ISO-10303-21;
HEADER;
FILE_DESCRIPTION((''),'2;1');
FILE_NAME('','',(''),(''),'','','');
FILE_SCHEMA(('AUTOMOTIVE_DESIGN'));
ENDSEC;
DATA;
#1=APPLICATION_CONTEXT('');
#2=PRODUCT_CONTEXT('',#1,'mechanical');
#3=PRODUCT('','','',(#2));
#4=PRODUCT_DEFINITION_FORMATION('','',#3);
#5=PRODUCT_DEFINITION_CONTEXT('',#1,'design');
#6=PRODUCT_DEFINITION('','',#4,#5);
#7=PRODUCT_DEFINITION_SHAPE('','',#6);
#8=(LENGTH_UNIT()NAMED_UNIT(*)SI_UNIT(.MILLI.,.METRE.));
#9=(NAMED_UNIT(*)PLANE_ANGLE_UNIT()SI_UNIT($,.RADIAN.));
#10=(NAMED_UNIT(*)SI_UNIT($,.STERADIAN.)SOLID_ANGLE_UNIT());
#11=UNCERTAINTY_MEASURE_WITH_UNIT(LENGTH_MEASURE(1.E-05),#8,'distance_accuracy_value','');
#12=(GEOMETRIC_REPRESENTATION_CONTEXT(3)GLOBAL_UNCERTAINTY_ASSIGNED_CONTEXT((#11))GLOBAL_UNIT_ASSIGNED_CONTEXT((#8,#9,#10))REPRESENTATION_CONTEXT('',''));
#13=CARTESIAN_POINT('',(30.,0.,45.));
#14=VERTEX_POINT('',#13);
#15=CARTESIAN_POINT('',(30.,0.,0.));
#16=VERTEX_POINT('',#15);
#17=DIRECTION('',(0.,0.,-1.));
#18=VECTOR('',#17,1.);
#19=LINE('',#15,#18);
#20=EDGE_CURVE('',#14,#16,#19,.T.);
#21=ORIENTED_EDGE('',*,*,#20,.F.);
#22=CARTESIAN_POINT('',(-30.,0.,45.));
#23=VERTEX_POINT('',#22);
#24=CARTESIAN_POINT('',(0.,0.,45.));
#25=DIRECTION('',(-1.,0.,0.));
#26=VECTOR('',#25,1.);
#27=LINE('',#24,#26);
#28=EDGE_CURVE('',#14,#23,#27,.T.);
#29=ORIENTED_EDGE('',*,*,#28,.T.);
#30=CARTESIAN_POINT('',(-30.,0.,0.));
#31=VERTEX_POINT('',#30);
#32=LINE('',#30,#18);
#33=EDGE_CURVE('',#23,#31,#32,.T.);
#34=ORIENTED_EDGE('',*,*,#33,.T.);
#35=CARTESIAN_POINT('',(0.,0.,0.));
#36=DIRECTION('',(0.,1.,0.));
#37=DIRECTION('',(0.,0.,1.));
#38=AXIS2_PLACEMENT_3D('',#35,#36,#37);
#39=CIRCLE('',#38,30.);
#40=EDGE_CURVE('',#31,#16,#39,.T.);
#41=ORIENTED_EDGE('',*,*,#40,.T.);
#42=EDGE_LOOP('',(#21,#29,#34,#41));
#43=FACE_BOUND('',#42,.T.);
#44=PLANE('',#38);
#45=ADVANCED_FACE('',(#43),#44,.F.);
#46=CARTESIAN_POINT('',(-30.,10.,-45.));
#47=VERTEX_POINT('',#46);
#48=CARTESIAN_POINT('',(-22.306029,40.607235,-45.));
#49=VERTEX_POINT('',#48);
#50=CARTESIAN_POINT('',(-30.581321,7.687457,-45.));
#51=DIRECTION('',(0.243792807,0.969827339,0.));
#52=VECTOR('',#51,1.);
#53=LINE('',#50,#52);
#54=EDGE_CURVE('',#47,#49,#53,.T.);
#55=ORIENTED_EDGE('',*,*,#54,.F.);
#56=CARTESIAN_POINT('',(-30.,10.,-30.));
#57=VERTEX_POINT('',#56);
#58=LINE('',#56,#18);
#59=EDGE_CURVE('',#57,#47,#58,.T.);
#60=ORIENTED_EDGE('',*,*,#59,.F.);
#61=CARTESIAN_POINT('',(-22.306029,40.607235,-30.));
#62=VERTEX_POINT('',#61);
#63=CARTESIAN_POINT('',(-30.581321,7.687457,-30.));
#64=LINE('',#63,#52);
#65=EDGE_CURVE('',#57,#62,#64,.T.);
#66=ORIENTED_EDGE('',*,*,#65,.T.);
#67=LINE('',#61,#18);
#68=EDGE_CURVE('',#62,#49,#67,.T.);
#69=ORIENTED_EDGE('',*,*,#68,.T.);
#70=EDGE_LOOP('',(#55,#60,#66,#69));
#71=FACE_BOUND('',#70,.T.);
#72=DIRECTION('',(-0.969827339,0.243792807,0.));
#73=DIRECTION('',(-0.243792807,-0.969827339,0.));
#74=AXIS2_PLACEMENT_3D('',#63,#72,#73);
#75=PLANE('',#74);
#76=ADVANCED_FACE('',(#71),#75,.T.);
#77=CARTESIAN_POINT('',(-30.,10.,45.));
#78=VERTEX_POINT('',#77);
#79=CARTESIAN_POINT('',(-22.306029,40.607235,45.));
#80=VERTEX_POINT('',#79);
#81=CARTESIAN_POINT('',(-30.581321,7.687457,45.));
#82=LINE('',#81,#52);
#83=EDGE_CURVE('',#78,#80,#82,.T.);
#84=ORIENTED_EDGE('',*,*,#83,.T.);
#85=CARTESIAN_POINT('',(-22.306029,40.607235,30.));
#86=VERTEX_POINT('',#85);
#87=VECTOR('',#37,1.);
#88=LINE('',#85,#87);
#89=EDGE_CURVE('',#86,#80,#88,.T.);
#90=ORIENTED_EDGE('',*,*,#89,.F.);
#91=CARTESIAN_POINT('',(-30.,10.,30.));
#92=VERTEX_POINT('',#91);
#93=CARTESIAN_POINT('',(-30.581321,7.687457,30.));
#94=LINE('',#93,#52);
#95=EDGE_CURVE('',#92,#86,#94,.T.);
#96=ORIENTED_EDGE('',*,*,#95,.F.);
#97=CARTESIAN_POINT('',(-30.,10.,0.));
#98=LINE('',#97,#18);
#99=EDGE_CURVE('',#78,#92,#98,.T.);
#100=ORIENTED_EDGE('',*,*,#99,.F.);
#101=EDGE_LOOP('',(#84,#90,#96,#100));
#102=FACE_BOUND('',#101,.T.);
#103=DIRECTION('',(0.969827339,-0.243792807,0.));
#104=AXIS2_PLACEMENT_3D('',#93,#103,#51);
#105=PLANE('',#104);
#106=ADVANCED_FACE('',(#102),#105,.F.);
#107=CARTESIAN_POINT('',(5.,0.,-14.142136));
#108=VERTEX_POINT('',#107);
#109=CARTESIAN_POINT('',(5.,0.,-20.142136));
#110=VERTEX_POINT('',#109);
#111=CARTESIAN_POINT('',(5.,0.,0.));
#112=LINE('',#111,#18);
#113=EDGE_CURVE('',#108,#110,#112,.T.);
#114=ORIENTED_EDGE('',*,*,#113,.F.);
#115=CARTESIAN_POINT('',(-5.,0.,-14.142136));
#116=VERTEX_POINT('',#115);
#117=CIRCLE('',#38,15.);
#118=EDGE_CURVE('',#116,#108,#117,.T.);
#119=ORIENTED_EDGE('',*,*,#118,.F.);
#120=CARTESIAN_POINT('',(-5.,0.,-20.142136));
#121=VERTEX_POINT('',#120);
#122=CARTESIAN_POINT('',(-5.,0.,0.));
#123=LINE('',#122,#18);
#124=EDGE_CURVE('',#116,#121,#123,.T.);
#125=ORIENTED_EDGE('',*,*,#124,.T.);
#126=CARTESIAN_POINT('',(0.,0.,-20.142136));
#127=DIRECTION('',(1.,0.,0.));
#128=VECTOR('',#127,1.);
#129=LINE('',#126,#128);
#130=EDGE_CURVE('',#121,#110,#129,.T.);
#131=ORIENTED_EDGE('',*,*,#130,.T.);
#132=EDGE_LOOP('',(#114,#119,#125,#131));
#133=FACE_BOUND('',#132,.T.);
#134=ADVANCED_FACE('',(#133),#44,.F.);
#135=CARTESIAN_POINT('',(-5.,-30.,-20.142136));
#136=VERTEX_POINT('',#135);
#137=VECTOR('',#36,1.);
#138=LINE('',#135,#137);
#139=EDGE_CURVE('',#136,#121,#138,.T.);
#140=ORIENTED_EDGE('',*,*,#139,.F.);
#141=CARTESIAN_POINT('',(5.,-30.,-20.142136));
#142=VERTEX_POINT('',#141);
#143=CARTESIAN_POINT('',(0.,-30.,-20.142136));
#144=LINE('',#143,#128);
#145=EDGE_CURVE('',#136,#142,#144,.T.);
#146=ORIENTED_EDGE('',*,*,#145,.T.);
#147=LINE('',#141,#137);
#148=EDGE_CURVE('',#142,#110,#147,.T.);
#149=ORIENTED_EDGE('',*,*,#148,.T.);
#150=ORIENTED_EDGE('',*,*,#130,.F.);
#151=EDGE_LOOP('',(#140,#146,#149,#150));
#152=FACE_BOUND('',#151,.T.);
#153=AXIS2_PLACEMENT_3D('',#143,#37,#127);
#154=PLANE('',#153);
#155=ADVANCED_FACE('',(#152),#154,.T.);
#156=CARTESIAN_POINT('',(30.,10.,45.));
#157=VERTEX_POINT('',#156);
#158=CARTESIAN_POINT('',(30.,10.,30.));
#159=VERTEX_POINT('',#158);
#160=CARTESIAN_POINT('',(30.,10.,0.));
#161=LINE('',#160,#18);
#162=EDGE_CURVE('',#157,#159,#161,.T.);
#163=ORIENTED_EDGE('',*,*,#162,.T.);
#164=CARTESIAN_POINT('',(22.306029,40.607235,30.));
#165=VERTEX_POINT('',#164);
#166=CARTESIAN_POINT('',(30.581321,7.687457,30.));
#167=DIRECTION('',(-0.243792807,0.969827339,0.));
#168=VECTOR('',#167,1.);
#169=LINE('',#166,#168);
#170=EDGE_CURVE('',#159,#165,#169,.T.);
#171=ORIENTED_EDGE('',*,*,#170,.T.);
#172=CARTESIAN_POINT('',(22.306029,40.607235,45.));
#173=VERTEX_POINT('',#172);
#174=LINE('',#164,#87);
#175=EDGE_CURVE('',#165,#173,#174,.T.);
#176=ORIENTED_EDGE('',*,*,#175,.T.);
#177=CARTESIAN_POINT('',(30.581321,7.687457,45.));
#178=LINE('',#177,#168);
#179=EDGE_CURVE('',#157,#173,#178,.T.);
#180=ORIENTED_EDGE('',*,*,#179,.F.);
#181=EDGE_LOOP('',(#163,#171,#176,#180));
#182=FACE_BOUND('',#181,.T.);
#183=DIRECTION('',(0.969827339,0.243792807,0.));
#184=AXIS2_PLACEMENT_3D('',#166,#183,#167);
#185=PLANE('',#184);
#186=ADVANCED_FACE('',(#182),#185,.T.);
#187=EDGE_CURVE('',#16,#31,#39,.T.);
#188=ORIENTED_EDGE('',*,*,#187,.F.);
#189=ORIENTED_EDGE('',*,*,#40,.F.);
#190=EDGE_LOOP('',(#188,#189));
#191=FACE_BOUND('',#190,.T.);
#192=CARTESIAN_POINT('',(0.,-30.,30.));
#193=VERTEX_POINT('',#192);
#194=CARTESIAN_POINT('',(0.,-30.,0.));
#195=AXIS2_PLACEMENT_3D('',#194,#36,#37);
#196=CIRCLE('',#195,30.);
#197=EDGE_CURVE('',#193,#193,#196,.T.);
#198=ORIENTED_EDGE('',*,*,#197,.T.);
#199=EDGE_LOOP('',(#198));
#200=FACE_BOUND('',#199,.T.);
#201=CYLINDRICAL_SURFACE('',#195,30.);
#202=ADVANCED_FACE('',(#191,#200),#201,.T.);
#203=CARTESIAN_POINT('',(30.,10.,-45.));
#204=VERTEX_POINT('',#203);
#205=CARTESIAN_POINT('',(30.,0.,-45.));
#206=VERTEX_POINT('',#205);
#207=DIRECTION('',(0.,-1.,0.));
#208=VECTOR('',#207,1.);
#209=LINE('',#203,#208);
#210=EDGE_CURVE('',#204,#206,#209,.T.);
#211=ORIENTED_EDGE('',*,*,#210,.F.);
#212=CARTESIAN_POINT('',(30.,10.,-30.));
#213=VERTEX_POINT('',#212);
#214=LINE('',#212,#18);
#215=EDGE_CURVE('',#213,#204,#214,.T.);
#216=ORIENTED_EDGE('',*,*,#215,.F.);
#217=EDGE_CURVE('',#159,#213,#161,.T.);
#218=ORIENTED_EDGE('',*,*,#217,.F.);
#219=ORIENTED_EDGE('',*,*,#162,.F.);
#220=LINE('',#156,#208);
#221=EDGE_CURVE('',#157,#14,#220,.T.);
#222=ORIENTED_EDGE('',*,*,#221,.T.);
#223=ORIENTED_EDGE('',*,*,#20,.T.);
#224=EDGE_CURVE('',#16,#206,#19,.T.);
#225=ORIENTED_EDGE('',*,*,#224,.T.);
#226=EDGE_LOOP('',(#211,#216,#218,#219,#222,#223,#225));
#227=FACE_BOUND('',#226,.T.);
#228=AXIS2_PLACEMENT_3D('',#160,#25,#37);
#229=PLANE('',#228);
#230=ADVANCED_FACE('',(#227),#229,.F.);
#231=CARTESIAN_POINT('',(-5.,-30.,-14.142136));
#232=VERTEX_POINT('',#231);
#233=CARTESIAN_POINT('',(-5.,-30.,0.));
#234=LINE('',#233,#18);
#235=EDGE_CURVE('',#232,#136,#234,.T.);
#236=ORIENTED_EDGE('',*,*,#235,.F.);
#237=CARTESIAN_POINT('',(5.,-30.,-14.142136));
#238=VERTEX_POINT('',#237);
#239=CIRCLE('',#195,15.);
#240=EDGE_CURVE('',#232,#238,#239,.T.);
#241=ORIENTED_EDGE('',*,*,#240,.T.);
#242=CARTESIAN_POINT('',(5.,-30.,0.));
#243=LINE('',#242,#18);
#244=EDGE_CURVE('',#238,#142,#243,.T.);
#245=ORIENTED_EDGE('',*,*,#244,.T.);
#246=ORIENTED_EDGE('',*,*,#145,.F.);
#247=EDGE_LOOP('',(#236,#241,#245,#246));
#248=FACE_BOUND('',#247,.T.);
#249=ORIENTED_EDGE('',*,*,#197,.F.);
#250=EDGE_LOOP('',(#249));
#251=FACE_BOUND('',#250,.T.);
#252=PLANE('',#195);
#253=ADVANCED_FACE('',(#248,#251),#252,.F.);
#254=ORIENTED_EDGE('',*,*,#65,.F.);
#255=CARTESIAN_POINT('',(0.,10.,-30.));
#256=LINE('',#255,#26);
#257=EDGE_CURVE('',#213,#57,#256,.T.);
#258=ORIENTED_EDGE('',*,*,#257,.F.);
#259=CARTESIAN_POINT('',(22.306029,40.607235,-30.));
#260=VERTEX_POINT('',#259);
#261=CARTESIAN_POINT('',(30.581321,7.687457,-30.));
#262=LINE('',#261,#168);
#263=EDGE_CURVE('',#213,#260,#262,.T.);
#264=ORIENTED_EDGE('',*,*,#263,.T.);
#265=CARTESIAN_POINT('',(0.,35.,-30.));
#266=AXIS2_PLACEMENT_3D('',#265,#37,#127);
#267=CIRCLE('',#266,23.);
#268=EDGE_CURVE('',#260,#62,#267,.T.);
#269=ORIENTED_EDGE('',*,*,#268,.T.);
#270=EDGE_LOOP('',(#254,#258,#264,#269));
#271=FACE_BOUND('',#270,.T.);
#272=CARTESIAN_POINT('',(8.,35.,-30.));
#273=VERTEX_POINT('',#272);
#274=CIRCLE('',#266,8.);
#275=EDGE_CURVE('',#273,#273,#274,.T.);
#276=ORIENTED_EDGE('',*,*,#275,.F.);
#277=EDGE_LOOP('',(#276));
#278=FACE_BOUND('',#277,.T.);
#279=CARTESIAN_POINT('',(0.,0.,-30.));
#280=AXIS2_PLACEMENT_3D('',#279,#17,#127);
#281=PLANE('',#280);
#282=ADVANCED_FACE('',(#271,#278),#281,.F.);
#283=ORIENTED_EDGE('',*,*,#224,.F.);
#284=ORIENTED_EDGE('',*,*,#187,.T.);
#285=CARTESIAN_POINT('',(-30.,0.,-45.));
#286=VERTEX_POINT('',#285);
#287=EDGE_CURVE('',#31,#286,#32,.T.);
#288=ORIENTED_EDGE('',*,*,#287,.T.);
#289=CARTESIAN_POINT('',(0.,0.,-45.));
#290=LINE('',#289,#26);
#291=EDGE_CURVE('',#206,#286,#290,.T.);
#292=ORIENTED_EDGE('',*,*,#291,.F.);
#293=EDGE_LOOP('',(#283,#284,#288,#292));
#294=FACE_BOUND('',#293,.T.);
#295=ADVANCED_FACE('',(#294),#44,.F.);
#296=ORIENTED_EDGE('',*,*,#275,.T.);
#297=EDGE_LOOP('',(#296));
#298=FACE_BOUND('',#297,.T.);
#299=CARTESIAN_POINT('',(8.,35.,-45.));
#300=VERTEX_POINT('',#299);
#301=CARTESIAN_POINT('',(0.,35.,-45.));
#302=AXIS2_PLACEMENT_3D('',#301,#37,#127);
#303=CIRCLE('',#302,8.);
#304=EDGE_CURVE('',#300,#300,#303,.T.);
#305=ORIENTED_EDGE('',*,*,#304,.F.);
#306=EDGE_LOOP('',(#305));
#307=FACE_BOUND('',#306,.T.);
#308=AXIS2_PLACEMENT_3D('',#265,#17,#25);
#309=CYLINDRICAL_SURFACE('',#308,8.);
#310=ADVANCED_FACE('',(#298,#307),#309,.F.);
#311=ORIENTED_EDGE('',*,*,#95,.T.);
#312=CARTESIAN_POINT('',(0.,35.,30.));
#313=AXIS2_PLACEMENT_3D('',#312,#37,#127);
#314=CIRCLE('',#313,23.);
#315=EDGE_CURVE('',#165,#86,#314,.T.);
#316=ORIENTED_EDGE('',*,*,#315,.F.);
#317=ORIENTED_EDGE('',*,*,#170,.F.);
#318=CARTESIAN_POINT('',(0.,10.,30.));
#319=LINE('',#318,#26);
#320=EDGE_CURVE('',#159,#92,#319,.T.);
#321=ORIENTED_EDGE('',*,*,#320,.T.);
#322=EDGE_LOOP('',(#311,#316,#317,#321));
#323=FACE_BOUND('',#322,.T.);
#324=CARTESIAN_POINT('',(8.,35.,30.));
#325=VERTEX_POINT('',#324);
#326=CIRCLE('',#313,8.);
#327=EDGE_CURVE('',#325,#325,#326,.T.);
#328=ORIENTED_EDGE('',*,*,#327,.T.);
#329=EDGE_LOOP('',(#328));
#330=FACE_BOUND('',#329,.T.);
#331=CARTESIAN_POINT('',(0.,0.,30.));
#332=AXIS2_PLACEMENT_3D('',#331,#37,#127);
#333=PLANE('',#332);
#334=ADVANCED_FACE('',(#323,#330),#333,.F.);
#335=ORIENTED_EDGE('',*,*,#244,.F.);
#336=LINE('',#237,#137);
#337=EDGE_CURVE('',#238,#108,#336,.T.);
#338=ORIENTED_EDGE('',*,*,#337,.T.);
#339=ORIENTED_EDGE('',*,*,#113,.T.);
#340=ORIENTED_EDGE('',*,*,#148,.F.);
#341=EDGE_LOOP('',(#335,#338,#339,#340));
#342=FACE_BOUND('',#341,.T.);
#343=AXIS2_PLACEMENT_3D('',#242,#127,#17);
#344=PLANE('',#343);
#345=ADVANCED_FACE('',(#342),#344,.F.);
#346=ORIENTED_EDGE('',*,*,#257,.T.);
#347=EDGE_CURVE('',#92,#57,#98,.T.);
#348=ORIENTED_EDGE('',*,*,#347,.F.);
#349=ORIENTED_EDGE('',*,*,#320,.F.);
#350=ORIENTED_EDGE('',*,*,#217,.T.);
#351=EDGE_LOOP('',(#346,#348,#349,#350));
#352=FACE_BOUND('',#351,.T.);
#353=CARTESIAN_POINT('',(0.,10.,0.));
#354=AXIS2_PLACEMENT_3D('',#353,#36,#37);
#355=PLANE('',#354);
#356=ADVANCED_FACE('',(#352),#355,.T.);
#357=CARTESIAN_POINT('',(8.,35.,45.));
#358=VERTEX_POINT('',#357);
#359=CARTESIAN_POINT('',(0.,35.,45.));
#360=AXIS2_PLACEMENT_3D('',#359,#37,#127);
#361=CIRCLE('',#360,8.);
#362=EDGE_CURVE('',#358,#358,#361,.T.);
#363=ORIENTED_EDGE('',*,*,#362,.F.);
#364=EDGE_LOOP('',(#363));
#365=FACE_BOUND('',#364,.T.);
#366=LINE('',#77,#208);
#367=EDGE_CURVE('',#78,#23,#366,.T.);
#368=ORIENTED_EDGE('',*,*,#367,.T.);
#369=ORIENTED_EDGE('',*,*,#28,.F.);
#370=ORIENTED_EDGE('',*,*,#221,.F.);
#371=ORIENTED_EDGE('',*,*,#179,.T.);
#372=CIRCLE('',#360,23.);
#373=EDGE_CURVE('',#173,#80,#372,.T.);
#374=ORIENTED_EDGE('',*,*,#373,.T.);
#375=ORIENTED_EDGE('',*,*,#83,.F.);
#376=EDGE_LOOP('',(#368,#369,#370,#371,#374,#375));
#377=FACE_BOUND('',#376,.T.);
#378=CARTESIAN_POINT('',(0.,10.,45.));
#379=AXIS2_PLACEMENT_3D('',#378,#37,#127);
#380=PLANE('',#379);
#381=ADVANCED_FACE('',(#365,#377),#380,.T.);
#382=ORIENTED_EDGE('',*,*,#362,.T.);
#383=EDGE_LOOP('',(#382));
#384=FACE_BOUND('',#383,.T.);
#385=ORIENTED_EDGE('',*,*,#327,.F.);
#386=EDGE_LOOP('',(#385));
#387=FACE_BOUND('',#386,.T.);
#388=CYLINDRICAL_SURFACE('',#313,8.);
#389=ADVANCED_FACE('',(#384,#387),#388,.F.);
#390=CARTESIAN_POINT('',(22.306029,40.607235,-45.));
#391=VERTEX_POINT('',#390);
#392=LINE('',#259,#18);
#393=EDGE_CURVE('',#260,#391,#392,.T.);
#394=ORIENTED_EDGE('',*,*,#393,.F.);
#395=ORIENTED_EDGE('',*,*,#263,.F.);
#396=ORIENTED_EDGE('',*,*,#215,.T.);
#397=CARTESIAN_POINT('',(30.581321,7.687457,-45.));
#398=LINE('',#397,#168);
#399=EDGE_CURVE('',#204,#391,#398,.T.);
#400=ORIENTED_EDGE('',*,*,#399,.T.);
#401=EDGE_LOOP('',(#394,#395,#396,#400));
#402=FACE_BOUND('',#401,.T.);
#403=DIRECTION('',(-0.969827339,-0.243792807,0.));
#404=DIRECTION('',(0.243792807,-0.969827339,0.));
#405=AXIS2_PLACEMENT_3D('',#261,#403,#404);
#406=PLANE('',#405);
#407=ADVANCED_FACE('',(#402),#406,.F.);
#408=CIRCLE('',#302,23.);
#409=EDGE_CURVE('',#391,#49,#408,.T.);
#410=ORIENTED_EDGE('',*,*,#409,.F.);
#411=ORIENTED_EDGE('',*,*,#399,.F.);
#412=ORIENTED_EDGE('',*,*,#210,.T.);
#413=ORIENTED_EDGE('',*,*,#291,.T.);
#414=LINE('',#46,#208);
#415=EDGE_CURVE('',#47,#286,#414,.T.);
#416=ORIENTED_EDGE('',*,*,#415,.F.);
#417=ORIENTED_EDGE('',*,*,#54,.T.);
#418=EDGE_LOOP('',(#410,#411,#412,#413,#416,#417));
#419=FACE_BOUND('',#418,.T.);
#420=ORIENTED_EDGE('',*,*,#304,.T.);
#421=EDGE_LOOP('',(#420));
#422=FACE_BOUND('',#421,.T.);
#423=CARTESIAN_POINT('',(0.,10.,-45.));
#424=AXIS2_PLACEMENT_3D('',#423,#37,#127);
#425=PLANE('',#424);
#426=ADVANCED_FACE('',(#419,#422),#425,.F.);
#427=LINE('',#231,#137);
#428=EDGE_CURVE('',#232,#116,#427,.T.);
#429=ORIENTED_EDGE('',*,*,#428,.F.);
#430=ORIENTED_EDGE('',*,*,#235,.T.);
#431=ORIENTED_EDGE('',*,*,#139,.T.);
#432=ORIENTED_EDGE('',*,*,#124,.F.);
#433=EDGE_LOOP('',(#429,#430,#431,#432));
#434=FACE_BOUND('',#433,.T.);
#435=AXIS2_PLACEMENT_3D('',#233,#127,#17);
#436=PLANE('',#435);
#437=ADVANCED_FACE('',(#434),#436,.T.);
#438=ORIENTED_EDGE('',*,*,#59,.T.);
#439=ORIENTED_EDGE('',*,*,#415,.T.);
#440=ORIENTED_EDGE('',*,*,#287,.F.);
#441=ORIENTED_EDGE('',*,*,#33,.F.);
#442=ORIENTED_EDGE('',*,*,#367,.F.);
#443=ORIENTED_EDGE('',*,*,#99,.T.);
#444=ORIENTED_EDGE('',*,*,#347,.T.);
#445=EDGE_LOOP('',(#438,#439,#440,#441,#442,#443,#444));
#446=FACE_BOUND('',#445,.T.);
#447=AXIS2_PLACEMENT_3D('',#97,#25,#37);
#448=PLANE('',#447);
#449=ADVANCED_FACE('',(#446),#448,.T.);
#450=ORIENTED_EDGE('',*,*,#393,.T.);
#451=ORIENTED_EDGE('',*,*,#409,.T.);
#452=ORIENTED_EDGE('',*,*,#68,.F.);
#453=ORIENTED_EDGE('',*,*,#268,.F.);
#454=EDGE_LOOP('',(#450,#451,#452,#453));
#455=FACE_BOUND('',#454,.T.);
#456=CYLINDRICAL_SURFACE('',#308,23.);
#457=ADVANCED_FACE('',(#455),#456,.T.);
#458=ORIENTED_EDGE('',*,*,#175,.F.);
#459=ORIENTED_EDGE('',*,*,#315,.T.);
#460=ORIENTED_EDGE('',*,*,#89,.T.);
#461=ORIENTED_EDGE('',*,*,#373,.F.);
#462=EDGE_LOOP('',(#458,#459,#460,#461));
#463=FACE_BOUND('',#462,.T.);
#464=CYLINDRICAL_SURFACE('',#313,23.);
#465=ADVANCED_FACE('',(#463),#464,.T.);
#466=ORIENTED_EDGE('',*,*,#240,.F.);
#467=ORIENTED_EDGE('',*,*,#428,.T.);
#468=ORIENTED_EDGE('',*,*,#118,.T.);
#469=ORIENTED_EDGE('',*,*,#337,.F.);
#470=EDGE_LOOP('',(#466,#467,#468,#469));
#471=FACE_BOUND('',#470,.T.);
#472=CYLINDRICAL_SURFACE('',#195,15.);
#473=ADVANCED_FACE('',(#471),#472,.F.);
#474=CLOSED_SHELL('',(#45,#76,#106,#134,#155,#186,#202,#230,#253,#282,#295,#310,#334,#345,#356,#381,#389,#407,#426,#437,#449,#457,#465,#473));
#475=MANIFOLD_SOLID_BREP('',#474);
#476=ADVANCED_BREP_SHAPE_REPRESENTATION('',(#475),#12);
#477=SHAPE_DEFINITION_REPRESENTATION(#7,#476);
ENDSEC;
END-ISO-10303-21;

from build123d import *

# Parameters (mm, degrees)
SKETCH1_W           = 60
SKETCH1_H           = 90
BOSS_EXTRUDE1_DEPTH = 10
BOSS_EXTRUDE2_DEPTH = 30
SKETCH3_R           = 8
BOSS_EXTRUDE3_DEPTH = 15


with BuildPart() as part:
    # Sketch1 → Boss-Extrude1 (new body)
    with BuildSketch(Plane(origin=(0, 0, 0), x_dir=(1, 0, 0), z_dir=(0, 1, 0))):
        Rectangle(SKETCH1_W, SKETCH1_H)
    extrude(amount=BOSS_EXTRUDE1_DEPTH)

    # Sketch1<3> → Boss-Extrude2 (add)
    with BuildSketch(Plane(origin=(0, 0, 0), x_dir=(1, 0, 0), z_dir=(0, 1, 0))):
        with BuildLine():
            ThreePointArc((-30, -1.1e-08), (5e-09, -30), (30, 0))
            ThreePointArc((30, 0), (-5e-09, 30), (-30, -1.1e-08))
        make_face()
        with BuildLine():
            Line((5, 20.142135624), (5, 14.142135624))
            ThreePointArc((5, 14.142135624), (12.247448714, 8.660254038), (15, 0))
            ThreePointArc((15, 0), (-8.660254038, -12.247448714), (-5, 14.142135624))
            Line((-5, 14.142135624), (-5, 20.142135624))
            Line((-5, 20.142135624), (5, 20.142135624))
        make_face(mode=Mode.SUBTRACT)
    extrude(amount=-BOSS_EXTRUDE2_DEPTH)

    # Sketch3 → Boss-Extrude3 (add)
    with BuildSketch(Plane.XY.offset(45)):
        with BuildLine():
            Line((-22.306028796, 40.607234555), (-30, 10))
            Line((-30, 10), (30, 10))
            Line((30, 10), (22.306028796, 40.607234555))
            ThreePointArc((22.306028796, 40.607234555), (0, 58), (-22.306028796, 40.607234555))
        make_face()
        with Locations((0, 35)):
            Circle(SKETCH3_R, mode=Mode.SUBTRACT)
    boss_extrude3 = extrude(amount=-BOSS_EXTRUDE3_DEPTH)

    # Mirror1: Boss-Extrude3 across plane
    add(boss_extrude3.mirror(Plane.XY))


solid = part.part
